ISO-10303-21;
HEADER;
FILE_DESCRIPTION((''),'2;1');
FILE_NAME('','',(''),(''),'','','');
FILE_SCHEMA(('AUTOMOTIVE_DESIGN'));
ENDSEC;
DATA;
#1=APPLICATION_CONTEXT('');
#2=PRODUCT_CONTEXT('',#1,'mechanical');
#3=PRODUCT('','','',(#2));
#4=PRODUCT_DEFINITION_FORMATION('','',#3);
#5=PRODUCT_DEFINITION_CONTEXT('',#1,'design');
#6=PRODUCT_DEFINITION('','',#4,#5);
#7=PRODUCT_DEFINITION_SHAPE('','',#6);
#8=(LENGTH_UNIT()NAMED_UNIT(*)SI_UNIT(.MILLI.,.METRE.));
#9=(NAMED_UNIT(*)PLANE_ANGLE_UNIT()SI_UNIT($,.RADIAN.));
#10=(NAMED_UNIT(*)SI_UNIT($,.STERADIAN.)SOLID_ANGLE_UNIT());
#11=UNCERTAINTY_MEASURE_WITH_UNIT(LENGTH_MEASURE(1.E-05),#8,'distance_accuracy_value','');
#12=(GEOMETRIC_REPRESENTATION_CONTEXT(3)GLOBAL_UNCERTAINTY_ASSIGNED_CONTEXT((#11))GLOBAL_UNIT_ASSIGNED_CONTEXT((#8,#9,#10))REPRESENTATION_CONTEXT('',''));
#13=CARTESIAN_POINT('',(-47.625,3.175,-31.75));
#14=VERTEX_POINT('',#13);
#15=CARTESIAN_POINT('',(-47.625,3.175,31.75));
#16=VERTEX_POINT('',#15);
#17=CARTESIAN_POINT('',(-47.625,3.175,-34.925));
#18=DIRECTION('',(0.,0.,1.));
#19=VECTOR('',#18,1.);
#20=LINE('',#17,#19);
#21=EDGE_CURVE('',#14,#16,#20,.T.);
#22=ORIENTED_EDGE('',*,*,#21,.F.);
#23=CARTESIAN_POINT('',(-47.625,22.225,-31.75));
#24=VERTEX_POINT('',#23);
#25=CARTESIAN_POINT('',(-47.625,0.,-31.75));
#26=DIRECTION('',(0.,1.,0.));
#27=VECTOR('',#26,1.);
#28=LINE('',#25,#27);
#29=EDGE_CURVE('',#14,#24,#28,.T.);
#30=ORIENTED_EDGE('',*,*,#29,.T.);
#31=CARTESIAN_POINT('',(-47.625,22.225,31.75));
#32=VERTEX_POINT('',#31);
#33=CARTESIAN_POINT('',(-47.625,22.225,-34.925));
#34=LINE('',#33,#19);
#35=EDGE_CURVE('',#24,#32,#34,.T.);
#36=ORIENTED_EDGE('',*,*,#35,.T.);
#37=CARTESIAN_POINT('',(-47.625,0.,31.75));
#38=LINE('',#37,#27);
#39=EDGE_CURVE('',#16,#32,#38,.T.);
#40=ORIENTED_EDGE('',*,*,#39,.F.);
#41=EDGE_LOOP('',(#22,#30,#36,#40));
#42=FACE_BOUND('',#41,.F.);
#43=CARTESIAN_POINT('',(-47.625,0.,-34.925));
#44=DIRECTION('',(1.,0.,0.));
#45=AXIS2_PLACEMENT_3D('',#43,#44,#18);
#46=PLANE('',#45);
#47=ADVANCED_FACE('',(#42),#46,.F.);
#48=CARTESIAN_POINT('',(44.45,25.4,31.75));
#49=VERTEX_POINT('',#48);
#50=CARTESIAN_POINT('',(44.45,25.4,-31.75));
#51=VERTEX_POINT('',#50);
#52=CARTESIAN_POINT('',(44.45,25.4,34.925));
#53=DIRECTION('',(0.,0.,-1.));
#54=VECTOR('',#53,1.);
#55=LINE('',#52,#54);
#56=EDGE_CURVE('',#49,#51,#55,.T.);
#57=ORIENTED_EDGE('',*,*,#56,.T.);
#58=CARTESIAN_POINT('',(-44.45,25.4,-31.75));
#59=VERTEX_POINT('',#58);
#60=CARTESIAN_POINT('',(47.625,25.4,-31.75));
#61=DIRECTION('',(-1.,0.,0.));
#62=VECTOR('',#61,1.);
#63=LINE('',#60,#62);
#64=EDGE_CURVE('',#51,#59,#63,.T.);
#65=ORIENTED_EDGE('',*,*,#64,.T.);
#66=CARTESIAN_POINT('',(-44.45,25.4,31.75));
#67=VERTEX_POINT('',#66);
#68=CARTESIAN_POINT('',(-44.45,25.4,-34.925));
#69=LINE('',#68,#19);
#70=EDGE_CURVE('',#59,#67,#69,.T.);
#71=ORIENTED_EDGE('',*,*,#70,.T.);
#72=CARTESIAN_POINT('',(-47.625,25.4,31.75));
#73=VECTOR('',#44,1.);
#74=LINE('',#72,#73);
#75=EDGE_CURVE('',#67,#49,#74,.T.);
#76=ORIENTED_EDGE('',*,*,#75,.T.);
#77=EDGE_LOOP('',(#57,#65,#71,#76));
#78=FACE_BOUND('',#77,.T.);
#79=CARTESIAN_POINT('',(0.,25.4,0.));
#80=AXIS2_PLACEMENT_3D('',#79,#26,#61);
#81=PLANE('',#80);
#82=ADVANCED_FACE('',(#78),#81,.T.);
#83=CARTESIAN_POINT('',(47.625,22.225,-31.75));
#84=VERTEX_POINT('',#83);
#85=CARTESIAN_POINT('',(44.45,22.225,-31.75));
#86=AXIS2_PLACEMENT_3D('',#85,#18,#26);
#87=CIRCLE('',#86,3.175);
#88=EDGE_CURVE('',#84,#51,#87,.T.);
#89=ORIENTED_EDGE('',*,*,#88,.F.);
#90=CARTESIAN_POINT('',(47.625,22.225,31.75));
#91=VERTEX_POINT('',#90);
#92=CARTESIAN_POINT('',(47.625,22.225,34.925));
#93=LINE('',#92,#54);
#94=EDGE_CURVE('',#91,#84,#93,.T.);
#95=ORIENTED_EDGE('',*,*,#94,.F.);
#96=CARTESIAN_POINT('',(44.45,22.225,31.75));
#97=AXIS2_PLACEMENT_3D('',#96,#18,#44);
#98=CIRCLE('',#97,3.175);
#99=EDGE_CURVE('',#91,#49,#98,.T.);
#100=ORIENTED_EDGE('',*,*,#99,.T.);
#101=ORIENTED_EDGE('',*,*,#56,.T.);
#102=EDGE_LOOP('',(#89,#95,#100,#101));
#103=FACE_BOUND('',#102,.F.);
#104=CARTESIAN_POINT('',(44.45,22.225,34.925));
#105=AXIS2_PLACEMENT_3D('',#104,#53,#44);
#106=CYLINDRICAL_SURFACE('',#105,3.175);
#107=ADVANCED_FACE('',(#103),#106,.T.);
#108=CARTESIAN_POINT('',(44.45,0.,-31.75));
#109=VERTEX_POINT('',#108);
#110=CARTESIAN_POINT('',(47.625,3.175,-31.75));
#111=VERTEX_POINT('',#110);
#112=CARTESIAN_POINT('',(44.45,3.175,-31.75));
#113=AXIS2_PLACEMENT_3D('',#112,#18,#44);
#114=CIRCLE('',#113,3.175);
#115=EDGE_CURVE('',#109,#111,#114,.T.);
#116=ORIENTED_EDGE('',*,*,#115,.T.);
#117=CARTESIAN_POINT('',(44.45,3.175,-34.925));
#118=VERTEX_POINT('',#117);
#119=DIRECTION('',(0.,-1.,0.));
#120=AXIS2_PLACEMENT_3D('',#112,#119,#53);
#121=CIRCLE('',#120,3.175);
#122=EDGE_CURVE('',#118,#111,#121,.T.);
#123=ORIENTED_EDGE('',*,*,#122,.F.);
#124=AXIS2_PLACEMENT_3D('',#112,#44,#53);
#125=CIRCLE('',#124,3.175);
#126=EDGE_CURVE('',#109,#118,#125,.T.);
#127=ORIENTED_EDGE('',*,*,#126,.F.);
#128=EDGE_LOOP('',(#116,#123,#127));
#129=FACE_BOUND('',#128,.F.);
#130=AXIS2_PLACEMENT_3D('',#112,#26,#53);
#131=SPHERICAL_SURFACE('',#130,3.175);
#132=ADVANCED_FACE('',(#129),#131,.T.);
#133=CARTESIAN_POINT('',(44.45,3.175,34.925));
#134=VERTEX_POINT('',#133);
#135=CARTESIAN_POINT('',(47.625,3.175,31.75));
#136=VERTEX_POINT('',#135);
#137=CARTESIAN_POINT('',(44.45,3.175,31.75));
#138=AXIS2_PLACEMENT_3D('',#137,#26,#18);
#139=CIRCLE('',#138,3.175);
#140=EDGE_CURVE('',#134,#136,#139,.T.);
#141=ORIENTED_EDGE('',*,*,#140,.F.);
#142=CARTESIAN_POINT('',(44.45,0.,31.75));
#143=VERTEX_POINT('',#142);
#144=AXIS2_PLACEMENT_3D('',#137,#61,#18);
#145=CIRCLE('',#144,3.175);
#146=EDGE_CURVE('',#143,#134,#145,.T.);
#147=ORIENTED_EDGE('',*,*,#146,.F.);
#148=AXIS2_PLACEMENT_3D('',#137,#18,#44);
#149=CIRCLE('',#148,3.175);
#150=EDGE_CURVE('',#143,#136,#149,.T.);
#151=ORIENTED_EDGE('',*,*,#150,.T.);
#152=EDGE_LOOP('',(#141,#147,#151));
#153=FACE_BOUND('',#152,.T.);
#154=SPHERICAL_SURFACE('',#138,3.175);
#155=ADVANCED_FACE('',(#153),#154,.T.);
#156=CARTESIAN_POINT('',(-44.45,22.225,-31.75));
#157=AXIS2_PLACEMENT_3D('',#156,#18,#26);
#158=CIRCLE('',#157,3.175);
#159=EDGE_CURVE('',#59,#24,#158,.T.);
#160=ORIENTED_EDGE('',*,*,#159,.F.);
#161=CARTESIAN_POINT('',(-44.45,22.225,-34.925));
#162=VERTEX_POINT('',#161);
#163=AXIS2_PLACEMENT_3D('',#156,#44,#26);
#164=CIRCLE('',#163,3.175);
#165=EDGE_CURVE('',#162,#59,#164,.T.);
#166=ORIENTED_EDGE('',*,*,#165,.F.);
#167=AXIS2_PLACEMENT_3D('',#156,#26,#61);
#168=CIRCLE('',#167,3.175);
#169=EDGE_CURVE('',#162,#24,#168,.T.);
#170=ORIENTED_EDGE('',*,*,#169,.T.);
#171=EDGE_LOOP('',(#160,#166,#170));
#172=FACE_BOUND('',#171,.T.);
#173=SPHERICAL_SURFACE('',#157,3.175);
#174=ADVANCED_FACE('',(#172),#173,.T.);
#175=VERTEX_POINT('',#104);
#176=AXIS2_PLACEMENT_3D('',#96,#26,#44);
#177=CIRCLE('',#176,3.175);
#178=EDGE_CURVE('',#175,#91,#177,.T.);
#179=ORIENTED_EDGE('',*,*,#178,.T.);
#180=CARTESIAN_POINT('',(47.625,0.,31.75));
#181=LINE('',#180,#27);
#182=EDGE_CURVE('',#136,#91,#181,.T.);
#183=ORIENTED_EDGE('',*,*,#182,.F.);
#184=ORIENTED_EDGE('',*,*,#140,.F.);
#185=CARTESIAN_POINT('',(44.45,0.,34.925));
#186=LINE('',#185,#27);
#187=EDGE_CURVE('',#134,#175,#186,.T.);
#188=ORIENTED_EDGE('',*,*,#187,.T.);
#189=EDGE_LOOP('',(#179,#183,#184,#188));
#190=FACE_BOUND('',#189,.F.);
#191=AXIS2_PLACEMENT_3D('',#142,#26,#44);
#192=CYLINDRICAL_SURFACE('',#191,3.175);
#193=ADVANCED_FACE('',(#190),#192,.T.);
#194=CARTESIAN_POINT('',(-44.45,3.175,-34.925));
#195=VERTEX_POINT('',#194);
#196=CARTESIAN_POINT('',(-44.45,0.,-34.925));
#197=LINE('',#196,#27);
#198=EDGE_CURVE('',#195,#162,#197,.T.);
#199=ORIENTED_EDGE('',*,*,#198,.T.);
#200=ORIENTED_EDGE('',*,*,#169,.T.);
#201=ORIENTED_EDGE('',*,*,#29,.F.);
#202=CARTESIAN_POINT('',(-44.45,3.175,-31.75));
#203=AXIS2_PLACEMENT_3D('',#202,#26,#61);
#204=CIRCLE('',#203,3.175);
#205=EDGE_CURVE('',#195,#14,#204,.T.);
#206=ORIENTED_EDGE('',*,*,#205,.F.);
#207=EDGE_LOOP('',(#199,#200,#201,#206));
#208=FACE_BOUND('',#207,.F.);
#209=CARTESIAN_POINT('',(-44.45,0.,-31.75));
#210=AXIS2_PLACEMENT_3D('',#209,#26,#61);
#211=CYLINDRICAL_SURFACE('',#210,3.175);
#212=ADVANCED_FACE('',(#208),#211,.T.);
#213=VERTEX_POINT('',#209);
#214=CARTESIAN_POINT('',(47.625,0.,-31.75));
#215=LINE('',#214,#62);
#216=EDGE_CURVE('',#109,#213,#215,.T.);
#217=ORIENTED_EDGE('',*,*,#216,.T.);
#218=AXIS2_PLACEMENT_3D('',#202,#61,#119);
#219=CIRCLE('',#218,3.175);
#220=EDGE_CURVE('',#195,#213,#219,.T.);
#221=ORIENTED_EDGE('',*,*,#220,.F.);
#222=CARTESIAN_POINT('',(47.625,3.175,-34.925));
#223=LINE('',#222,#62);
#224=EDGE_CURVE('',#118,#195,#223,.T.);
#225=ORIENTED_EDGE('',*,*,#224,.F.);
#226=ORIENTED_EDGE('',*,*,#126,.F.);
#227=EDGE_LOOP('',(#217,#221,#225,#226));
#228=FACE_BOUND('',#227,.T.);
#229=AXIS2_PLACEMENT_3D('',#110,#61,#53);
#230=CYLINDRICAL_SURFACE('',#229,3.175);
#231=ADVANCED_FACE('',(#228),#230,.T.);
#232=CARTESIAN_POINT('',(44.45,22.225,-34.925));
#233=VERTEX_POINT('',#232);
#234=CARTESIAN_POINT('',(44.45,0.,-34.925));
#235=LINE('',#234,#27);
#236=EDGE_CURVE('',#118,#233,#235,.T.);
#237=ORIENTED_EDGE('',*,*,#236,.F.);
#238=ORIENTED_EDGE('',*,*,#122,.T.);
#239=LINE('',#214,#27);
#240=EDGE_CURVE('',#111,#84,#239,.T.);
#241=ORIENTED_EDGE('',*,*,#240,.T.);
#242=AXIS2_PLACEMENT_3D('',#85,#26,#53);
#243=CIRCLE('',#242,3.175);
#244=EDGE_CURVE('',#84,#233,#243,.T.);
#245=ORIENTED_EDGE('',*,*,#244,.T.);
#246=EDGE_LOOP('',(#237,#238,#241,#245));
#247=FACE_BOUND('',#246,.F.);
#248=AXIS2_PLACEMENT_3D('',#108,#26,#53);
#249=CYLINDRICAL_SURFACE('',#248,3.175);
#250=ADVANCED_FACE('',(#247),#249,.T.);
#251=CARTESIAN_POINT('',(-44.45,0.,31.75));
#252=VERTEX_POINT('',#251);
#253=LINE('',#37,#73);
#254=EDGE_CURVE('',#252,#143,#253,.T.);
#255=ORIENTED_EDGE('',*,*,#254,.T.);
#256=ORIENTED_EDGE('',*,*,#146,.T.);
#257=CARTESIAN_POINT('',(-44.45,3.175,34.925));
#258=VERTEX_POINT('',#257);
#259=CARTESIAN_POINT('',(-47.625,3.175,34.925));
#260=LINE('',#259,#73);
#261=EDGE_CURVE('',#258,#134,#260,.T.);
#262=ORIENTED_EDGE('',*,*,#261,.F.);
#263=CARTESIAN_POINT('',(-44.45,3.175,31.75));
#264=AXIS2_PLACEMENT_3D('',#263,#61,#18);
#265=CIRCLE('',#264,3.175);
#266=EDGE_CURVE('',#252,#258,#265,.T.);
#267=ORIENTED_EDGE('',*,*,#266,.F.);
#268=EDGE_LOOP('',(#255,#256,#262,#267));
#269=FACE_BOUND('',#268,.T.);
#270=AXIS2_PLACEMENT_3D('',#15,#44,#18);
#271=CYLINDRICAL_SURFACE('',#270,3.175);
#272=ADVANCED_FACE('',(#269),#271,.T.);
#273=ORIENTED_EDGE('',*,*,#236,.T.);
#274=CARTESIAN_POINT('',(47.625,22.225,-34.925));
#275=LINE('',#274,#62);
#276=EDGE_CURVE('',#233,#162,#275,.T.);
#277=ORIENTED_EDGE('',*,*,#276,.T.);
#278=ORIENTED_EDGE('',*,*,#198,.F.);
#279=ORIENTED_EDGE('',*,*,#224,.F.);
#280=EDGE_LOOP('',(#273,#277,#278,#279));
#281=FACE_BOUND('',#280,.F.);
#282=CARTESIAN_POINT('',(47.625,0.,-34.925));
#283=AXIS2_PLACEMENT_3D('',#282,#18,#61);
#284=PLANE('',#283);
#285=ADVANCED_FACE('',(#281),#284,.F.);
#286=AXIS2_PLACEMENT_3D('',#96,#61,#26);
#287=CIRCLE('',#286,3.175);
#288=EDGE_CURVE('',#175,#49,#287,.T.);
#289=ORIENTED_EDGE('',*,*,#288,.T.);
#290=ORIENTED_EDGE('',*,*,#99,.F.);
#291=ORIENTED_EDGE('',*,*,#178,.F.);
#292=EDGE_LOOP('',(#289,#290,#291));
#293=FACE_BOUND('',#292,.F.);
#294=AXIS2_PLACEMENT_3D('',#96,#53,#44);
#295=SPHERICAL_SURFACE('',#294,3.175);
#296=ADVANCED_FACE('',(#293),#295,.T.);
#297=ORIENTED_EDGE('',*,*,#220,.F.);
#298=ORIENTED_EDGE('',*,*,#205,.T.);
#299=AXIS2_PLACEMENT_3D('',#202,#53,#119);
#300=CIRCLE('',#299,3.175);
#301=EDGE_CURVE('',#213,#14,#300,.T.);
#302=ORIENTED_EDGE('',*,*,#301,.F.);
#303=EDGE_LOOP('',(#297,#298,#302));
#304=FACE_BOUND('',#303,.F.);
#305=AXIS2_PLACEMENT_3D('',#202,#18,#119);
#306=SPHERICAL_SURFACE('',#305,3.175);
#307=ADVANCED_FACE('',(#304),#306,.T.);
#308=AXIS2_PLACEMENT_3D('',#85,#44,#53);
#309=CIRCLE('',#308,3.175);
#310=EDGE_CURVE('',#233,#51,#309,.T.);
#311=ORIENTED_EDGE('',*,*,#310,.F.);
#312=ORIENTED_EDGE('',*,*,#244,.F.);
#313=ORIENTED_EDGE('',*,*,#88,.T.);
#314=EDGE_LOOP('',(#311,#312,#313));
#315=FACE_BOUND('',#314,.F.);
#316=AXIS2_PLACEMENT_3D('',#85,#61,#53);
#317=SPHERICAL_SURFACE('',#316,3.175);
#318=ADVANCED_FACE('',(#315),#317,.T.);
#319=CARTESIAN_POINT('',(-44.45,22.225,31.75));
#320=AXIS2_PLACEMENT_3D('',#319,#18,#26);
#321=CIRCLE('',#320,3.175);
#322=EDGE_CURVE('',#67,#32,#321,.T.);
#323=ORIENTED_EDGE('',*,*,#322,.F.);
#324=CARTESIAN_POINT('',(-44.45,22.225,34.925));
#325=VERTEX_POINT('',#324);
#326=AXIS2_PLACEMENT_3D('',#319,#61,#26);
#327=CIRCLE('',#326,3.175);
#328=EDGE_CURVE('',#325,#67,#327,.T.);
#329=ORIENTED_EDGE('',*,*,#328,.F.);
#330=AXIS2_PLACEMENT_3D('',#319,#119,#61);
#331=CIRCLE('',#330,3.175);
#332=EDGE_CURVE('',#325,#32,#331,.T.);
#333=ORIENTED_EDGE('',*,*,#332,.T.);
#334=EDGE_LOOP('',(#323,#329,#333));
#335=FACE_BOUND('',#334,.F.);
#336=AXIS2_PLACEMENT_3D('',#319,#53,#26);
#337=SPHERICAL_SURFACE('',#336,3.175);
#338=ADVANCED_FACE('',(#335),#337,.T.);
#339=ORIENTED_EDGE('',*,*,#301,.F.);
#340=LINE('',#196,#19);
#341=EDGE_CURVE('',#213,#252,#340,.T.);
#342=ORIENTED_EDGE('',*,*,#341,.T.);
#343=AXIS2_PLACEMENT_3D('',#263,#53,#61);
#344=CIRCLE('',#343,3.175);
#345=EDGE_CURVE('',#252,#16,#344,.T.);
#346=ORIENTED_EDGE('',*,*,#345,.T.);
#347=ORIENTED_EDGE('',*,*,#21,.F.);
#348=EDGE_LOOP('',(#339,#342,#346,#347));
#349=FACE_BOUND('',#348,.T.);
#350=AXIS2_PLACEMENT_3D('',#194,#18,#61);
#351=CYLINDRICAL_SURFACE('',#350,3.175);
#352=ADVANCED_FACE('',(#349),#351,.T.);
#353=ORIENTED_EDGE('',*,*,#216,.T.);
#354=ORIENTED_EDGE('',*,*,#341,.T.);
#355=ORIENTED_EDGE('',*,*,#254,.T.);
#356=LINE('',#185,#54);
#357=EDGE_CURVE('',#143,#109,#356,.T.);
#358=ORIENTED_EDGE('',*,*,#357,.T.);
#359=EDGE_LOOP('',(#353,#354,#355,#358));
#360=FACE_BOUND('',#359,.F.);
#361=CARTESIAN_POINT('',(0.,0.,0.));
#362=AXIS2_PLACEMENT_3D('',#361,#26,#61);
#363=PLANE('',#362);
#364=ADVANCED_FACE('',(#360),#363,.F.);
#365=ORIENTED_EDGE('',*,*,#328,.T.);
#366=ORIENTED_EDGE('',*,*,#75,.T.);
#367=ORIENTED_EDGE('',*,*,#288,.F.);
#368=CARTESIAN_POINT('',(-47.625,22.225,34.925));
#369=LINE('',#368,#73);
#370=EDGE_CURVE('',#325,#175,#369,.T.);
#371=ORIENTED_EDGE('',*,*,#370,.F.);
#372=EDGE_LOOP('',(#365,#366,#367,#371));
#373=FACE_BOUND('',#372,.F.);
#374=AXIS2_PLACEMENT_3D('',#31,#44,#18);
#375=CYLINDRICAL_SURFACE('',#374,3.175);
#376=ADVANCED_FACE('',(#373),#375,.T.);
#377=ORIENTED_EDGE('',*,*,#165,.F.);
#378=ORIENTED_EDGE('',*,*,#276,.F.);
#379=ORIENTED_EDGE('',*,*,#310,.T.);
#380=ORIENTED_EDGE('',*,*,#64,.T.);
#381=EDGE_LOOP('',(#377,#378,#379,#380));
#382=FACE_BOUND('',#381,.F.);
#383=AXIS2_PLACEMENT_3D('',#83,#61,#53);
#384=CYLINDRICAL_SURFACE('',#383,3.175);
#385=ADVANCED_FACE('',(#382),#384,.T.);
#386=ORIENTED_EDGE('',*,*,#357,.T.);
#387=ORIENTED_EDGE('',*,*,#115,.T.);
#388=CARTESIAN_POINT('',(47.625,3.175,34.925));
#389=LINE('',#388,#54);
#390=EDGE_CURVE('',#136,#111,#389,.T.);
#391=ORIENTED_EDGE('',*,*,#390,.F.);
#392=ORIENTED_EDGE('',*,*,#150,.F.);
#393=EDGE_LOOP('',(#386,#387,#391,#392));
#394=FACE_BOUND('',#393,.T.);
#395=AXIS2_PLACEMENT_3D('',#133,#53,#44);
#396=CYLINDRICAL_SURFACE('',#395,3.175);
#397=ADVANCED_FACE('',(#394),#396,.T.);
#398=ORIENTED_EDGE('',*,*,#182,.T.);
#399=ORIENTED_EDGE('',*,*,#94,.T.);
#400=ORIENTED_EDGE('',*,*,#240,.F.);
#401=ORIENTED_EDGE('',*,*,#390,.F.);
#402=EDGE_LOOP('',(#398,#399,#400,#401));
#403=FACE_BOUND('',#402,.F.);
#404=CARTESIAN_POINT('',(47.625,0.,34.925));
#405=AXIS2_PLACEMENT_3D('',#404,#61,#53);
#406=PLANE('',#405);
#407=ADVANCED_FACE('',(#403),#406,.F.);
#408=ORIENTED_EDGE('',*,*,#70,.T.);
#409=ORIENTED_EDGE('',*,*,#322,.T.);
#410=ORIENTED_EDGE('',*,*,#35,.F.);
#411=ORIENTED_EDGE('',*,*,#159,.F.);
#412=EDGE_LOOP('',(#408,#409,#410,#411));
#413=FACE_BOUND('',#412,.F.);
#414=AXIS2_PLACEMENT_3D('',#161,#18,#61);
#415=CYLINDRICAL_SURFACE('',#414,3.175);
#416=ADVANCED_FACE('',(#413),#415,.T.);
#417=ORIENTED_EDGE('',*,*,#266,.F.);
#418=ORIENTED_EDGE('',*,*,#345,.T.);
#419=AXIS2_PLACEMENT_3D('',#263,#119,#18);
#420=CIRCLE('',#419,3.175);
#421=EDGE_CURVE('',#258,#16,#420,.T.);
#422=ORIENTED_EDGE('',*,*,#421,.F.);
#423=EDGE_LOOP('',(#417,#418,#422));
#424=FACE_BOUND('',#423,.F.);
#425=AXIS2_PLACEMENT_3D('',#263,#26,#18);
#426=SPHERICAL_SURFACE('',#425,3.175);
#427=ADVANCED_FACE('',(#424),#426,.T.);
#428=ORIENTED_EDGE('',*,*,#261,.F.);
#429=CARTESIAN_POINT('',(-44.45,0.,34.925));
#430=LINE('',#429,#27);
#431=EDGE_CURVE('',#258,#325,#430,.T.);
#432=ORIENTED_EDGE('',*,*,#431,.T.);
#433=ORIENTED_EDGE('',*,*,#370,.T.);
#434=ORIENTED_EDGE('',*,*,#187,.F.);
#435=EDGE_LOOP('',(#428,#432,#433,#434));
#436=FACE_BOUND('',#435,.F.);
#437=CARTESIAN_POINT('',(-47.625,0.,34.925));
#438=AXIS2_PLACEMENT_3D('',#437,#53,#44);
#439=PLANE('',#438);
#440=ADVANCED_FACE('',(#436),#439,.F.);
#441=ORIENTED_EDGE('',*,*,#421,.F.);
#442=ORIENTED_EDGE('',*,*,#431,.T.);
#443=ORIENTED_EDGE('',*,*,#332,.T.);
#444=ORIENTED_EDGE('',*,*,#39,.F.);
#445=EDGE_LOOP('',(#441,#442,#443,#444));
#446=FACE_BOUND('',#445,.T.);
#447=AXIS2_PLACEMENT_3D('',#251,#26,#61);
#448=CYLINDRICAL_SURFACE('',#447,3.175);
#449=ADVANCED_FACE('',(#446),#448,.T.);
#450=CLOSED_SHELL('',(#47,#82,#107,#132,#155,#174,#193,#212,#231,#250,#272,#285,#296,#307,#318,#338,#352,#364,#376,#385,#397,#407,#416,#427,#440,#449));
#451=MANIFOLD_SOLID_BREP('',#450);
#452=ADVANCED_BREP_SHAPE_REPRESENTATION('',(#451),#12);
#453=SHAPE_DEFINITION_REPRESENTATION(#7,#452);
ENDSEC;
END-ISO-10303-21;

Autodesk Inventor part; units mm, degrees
ref_plane "YZ Plane" through (0, 0, 0) normal (1, 0, 0) x (0, 1, 0)
ref_plane "XZ Plane" through (0, 0, 0) normal (0, 1, 0) x (-1, 0, 0)
ref_plane "XY Plane" through (0, 0, 0) normal (0, 0, 1) x (1, 0, 0)
sketch "Sketch1" plane through (0, 0, 0) normal (0, 1, 0) x (-1, 0, 0)
  line L0 (47.625, 34.925) -> (-47.625, 34.925)
  line L1 (-47.625, 34.925) -> (-47.625, -34.925)
  line L2 (-47.625, -34.925) -> (47.625, -34.925)
  line L3 (47.625, -34.925) -> (47.625, 34.925)
  line L4 (47.625, 34.925) -> (-47.625, -34.925) construction
  line L5 (-47.625, 34.925) -> (47.625, -34.925) construction
  point P0 (0, 0)
  dimension "d0" = 95.25
  dimension "d1" = 69.85
extrude "Extrusion1" add sketch "Sketch1" along normal blind 25.4
fillet "Fillet1" radius 3.175 12 edges at (-47.625, 25.4, 0) (0, 25.4, -34.925) (47.625, 12.7, -34.925) (47.625, 25.4, 0) (47.625, 12.7, 34.925) (0, 25.4, 34.925) (-47.625, 12.7, 34.925) (0, 0, 34.925) (-47.625, 0, 0) (0, 0, -34.925) (-47.625, 12.7, -34.925) (47.625, 0, 0)
properties part number "AM-3205 AP radio"
